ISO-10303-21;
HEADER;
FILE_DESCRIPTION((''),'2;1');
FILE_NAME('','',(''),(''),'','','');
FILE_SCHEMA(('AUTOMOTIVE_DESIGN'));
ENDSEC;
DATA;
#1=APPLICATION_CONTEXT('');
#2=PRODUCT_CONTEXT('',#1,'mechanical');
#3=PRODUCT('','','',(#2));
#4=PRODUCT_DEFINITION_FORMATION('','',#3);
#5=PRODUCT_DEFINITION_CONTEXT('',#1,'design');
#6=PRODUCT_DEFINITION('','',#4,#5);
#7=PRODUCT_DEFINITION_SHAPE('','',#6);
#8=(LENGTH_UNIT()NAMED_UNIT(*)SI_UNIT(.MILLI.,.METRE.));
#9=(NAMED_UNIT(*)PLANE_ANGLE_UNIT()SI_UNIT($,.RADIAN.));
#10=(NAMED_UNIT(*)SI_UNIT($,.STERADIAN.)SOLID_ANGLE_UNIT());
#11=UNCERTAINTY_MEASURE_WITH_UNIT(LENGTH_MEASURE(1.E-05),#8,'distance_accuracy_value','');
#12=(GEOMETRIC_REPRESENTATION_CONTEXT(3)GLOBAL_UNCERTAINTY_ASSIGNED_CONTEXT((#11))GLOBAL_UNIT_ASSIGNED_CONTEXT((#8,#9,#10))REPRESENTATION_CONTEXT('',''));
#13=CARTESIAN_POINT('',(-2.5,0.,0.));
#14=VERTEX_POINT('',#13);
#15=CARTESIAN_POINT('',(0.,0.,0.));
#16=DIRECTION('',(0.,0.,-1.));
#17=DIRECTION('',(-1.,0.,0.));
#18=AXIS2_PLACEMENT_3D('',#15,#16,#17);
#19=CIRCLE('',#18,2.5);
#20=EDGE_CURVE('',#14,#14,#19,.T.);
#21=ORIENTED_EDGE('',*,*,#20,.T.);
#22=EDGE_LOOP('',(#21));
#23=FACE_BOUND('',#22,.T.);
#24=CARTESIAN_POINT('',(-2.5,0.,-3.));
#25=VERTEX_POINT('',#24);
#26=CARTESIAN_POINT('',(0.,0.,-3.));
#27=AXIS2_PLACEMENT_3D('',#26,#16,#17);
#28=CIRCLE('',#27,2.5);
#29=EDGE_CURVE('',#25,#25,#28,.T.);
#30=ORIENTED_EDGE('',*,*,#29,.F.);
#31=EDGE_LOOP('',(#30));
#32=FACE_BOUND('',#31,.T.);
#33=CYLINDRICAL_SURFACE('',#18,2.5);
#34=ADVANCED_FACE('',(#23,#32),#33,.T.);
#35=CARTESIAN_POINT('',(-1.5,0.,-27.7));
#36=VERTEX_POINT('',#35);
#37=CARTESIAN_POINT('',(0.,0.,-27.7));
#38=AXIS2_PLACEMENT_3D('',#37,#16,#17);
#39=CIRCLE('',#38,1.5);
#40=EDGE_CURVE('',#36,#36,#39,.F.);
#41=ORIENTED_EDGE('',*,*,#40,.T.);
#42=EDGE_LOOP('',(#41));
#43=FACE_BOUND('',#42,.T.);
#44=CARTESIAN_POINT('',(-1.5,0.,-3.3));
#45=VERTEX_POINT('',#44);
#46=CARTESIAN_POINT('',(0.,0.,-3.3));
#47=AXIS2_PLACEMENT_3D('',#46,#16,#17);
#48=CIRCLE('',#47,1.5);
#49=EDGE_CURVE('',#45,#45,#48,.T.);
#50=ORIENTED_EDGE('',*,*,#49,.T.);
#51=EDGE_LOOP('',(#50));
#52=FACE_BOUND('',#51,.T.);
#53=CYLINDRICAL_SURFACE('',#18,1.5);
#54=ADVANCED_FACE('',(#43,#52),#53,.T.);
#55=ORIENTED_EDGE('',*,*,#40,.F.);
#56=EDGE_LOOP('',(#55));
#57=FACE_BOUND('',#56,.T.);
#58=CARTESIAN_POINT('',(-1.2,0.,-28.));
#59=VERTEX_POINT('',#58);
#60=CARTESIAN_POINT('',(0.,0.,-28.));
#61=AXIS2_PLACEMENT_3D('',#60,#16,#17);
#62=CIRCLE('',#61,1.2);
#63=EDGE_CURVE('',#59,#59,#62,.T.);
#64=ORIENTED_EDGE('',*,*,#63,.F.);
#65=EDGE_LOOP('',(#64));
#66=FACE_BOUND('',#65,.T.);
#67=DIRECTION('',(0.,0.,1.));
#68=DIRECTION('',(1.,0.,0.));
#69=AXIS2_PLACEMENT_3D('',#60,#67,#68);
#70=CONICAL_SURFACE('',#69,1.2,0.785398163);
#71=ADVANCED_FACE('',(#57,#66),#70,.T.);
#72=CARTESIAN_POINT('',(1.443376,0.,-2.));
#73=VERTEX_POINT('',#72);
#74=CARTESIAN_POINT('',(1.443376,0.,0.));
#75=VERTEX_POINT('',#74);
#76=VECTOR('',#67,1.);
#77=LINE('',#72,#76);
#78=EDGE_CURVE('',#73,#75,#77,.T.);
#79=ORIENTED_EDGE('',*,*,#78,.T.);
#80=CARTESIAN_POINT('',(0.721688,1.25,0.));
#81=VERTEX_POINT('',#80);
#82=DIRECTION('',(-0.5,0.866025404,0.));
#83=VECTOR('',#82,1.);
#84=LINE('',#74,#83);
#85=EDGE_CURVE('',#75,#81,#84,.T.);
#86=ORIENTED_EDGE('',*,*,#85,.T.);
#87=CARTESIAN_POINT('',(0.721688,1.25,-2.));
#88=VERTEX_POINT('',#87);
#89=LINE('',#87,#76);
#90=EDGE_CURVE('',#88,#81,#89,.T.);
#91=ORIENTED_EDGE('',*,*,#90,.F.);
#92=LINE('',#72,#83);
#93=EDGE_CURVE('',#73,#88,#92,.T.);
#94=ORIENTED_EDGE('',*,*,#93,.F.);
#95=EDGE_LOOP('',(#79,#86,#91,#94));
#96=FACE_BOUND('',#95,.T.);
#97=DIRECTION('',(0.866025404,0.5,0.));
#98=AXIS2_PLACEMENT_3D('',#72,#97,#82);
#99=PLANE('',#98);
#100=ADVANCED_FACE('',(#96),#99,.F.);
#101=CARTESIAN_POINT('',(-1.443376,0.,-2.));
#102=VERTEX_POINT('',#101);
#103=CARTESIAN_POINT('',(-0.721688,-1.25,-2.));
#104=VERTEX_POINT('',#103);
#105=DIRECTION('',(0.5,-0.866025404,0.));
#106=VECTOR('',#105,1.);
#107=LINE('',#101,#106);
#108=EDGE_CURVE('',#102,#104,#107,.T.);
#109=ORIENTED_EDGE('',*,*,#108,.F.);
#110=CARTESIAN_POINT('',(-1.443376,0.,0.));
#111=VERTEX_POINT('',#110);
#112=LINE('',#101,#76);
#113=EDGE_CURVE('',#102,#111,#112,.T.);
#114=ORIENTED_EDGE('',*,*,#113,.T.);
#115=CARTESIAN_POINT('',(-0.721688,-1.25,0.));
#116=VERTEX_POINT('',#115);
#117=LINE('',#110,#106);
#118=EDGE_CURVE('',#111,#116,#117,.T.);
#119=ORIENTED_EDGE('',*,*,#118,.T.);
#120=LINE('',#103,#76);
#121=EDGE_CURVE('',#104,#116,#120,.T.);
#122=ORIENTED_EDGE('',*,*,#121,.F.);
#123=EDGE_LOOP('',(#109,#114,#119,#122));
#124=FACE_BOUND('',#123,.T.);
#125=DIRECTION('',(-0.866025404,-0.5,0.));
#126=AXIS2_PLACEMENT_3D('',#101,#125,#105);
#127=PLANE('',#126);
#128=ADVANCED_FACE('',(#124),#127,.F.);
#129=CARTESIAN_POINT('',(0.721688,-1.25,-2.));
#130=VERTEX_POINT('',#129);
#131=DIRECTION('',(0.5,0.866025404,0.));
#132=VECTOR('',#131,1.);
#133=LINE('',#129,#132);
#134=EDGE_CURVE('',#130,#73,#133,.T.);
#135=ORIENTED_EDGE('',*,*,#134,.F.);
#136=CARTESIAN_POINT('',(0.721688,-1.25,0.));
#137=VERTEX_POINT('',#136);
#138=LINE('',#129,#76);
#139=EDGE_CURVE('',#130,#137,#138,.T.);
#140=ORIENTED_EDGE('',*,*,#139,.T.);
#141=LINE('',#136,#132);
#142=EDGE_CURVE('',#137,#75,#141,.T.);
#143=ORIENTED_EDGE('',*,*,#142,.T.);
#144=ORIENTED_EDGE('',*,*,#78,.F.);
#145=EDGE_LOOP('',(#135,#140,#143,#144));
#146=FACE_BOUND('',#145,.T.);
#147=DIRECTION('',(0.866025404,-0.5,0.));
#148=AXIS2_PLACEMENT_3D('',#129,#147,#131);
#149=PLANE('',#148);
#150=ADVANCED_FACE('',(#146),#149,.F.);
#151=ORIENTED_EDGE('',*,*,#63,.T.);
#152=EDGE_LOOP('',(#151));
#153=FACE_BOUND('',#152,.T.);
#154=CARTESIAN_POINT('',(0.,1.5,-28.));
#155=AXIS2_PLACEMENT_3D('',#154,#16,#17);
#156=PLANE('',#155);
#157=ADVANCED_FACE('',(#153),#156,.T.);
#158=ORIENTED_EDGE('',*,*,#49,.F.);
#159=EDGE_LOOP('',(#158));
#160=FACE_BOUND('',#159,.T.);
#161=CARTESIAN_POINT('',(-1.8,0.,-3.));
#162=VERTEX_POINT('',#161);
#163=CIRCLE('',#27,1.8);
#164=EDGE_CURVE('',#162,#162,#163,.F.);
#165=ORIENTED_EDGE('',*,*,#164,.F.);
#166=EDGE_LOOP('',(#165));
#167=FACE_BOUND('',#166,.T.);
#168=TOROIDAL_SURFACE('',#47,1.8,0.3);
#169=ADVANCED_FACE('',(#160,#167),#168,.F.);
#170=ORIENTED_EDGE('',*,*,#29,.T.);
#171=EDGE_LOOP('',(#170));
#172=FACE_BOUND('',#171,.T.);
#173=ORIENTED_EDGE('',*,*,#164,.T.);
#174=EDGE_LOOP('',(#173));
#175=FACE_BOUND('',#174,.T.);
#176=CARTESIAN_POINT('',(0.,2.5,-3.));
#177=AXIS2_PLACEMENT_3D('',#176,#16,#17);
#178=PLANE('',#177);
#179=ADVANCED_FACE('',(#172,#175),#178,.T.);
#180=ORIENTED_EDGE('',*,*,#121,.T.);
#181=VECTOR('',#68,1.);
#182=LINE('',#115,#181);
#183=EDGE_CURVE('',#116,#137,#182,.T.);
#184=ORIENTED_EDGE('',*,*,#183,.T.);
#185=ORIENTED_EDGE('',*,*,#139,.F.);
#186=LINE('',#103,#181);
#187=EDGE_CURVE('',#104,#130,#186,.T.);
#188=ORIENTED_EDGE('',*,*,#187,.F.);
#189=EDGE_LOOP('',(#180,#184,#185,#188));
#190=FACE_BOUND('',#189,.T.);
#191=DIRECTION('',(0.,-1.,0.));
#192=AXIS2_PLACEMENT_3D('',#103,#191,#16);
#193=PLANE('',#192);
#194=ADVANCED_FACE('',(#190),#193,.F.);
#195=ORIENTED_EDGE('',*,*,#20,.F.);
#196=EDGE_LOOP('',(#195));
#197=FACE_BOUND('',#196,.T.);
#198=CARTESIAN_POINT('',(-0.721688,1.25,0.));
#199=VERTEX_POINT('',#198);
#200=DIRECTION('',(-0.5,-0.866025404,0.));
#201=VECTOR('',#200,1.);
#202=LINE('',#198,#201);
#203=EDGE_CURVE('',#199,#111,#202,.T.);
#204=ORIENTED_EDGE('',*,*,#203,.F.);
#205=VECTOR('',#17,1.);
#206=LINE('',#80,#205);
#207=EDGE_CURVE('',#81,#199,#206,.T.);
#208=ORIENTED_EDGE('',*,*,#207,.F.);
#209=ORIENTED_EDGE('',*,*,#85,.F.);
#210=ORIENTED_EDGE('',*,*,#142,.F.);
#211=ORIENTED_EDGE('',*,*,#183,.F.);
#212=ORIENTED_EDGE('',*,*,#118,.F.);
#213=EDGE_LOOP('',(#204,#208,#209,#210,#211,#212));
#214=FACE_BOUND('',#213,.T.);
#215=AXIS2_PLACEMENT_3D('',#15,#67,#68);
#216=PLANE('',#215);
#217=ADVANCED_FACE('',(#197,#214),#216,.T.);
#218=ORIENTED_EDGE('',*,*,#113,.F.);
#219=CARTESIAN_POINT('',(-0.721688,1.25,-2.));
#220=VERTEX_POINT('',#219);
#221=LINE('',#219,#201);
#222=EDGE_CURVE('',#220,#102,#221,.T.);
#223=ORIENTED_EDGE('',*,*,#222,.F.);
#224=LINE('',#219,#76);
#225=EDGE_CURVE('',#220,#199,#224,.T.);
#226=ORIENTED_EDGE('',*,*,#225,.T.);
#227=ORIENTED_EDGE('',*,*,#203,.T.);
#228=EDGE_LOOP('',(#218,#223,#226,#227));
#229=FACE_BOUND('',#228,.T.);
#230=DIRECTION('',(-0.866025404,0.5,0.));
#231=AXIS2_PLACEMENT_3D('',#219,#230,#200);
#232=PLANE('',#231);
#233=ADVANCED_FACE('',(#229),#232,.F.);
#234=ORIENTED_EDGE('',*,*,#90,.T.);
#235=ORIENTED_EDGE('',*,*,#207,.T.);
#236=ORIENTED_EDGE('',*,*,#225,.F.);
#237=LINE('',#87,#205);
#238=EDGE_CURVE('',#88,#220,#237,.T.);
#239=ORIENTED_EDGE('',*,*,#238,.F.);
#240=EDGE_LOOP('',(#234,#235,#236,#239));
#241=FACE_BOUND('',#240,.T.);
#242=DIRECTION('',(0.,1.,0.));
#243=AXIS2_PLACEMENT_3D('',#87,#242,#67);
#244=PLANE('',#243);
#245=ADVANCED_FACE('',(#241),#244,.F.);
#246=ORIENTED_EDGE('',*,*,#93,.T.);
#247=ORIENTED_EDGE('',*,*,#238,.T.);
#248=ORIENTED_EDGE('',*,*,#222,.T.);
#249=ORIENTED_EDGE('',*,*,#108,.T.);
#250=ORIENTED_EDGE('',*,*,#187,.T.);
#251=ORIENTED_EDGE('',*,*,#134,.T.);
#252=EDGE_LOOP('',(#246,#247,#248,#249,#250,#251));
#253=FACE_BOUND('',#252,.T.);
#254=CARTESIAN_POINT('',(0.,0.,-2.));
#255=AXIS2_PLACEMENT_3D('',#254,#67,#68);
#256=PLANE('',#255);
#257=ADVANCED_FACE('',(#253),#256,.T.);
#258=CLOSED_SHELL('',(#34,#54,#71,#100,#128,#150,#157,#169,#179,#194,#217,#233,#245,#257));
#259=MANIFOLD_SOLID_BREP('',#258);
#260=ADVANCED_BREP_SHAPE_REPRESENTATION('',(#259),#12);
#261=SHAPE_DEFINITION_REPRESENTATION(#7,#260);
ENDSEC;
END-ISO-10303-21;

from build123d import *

# Parameters (mm, degrees)
CUT_EXTRUDE_1_DEPTH = 2
FILLET_1_R          = 0.3
CHAMFER_1_SIZE      = 0.3


with BuildPart() as part:
    # Эскиз1 → Повернуть1 (revolve)
    with BuildSketch(Plane(origin=(0, 0, 0), x_dir=(0, 0, -1), z_dir=(1, 0, 0))):
        Polygon((0, 0), (0, 2.5), (3, 2.5), (3, 1.5), (28, 1.5), (28, 0), align=None)
    revolve(axis=Axis((0, 0, 0), (0, 0, 1)))

    # Эскиз2 → Вырез-Вытянуть1 (cut)
    with BuildSketch(Plane.XY):
        Polygon((1.443375673, 0), (0.721687836, 1.25), (-0.721687836, 1.25), (-1.443375673, 0), (-0.721687836, -1.25), (0.721687836, -1.25), align=None)
    extrude(amount=-CUT_EXTRUDE_1_DEPTH, mode=Mode.SUBTRACT)

    # Скругление1
    fillet_1_edges = [part.edges().sort_by_distance(p)[0] for p in [
        (0, -1.5, -3),
    ]]
    fillet(fillet_1_edges, radius=FILLET_1_R)

    # Фаска1
    chamfer_1_edges = [part.edges().sort_by_distance(p)[0] for p in [
        (0, -1.5, -28),
    ]]
    chamfer(chamfer_1_edges, length=CHAMFER_1_SIZE)


solid = part.part
